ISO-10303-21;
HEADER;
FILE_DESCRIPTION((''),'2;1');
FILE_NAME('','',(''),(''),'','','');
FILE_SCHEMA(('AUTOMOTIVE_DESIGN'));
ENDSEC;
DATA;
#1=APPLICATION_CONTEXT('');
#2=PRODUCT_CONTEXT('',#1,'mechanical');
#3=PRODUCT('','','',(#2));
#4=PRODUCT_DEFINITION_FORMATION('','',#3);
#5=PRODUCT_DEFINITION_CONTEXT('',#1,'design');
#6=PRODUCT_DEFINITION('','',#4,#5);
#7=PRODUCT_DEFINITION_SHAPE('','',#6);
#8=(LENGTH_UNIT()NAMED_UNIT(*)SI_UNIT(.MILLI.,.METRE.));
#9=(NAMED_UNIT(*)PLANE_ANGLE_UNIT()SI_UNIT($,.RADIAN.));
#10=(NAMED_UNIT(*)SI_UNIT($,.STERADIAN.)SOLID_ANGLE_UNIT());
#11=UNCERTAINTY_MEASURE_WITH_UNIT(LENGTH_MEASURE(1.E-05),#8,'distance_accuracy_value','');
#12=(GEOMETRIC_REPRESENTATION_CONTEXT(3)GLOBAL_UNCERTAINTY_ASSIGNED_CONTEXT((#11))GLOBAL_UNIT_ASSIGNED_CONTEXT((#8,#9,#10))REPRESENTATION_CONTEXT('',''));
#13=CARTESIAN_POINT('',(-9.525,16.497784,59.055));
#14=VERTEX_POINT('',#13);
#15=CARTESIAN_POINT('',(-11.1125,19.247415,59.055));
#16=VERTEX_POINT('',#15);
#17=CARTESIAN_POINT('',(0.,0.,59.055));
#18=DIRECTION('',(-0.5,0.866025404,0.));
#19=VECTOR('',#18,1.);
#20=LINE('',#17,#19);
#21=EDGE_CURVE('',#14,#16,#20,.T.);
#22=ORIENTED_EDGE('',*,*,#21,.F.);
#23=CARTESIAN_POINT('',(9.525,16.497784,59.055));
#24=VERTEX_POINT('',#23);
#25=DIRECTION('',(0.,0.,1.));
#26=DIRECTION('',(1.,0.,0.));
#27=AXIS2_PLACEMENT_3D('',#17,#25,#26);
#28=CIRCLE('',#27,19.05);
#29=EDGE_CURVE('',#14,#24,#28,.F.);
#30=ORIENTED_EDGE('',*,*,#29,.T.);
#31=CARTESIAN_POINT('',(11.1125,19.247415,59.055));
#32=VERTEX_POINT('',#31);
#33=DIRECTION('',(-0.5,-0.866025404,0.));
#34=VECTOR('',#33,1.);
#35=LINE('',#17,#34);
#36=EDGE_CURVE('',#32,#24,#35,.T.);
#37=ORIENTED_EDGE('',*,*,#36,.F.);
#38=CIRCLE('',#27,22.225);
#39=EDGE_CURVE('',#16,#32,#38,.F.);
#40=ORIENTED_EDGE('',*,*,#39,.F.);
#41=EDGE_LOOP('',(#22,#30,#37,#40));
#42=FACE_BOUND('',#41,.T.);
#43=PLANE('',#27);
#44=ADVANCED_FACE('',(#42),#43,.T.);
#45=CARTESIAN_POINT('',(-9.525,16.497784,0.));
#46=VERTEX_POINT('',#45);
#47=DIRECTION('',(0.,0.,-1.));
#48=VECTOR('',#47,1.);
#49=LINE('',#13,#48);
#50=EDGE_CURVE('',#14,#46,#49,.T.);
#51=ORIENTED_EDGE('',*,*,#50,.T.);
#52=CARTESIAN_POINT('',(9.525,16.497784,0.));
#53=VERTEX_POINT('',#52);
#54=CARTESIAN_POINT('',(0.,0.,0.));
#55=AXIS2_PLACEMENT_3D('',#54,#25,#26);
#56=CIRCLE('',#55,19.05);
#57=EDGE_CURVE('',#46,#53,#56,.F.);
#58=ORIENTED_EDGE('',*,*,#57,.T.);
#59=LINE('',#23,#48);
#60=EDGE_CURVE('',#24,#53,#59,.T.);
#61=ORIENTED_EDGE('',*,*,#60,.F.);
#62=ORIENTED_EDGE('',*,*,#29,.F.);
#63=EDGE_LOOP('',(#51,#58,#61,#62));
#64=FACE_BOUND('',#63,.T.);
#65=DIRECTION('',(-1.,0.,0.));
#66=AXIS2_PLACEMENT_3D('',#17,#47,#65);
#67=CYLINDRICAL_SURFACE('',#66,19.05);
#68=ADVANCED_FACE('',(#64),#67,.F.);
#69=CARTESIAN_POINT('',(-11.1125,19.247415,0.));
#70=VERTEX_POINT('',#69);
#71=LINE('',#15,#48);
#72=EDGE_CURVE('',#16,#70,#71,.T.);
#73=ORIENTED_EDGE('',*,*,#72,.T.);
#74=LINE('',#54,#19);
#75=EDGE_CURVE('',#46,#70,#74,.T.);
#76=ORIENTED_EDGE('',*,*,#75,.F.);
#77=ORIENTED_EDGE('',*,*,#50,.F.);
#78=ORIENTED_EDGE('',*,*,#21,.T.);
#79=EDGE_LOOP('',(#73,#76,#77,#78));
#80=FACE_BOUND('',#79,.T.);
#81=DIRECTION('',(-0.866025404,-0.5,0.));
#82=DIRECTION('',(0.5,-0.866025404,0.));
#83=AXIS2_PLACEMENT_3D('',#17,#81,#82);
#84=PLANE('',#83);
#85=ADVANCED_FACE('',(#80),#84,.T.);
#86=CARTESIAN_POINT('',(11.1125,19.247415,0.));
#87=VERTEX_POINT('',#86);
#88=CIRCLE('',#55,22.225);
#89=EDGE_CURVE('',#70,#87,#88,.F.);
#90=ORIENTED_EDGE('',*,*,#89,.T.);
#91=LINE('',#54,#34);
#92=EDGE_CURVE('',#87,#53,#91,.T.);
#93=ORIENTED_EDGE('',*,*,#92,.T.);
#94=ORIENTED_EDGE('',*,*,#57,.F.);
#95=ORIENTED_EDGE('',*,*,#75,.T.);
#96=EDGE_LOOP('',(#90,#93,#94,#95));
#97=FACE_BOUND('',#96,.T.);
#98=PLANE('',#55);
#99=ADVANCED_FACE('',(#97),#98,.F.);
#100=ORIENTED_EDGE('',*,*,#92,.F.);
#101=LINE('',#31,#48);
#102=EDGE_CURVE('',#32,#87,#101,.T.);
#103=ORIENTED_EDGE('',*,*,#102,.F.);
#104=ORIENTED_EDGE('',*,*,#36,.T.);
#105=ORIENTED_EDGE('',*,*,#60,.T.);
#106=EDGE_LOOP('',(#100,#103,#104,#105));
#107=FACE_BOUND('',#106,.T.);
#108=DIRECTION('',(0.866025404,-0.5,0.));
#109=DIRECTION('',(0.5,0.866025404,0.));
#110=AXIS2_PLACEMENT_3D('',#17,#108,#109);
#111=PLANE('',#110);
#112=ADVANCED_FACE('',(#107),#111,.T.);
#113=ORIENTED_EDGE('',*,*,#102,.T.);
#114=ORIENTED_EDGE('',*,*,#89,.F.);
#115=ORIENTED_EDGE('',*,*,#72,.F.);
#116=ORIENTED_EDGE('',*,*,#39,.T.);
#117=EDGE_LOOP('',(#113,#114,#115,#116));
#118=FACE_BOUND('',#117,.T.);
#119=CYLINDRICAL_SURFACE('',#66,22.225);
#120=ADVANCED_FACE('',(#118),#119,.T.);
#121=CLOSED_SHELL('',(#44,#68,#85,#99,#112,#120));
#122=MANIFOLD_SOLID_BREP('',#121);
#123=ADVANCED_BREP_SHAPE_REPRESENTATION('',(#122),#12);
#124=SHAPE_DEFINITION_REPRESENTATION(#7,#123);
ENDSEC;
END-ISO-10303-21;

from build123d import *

# Parameters (mm, degrees)
BOSS_EXTRUDE1_DEPTH = 59.055


with BuildPart() as part:
    # Sketch1 → Boss-Extrude1 (new body)
    with BuildSketch(Plane.XY):
        with BuildLine():
            ThreePointArc((-11.1125, 19.247414599), (0, 22.225), (11.1125, 19.247414599))
            Line((11.1125, 19.247414599), (9.525, 16.497783942))
            ThreePointArc((9.525, 16.497783942), (0, 19.05), (-9.525, 16.497783942))
            Line((-9.525, 16.497783942), (-11.1125, 19.247414599))
        make_face()
    extrude(amount=BOSS_EXTRUDE1_DEPTH)


solid = part.part
